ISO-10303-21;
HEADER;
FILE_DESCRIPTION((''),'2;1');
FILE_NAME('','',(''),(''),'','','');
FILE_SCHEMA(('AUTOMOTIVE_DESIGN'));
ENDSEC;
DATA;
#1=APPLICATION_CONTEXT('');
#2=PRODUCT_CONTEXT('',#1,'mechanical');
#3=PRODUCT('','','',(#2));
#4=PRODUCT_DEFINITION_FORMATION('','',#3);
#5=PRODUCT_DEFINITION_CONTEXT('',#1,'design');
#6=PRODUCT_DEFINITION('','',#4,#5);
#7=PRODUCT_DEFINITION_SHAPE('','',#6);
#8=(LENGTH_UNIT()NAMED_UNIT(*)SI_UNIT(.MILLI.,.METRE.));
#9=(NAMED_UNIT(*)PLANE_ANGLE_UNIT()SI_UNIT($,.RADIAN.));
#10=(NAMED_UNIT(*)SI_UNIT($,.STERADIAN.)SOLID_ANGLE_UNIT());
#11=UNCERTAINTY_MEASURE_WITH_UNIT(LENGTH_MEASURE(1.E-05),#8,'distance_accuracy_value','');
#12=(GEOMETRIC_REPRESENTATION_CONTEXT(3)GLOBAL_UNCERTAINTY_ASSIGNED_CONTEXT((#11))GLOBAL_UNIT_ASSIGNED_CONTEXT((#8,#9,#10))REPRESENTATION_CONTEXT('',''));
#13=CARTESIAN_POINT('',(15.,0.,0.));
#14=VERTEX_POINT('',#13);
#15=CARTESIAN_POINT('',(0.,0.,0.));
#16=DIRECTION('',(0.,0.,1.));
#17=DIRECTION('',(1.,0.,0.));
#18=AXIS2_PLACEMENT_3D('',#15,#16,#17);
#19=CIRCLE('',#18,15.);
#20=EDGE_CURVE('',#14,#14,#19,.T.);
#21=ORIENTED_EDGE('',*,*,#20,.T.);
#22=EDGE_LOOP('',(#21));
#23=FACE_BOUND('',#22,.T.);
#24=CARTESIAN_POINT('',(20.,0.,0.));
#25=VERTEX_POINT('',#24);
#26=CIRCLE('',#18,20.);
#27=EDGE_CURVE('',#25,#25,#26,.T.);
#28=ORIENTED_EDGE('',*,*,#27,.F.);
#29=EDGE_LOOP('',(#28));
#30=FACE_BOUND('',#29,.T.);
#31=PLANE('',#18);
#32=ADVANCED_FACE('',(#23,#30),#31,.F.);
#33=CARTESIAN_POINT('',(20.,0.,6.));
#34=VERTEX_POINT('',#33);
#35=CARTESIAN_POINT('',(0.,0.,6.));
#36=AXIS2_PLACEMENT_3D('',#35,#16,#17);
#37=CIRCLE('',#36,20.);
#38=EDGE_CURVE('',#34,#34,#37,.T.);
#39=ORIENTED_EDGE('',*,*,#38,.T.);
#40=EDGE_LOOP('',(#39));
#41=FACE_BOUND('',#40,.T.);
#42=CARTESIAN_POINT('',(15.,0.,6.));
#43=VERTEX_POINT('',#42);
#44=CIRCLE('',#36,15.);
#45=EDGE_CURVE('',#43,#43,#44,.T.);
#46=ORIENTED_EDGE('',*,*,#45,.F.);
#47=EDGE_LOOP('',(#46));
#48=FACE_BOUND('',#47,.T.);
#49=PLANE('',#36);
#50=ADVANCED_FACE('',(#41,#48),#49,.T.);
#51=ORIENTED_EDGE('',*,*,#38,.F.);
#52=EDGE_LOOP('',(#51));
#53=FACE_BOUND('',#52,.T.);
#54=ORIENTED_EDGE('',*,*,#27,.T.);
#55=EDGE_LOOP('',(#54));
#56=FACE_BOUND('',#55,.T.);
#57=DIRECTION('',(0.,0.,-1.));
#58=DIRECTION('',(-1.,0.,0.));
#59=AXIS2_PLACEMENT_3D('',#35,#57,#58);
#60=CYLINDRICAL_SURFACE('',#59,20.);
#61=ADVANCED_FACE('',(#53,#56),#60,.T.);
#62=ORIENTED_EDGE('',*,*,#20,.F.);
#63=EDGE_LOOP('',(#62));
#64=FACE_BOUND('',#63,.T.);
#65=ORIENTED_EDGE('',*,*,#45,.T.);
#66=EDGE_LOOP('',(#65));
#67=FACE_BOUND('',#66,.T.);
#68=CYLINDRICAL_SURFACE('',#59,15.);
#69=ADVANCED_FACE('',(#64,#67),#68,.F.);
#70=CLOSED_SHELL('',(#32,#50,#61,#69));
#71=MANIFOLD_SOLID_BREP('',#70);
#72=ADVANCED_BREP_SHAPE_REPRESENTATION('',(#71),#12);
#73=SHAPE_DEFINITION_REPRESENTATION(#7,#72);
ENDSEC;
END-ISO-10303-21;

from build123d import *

# Parameters (mm, degrees)
SKETCH_1_R      = 20
SKETCH_1_R_2    = 15
EXTRUDE_1_DEPTH = 6


with BuildPart() as part:
    # 草图1 → 凸台-拉伸1 (new body)
    with BuildSketch(Plane.XY):
        Circle(SKETCH_1_R)
        Circle(SKETCH_1_R_2, mode=Mode.SUBTRACT)
    extrude(amount=EXTRUDE_1_DEPTH)


solid = part.part
